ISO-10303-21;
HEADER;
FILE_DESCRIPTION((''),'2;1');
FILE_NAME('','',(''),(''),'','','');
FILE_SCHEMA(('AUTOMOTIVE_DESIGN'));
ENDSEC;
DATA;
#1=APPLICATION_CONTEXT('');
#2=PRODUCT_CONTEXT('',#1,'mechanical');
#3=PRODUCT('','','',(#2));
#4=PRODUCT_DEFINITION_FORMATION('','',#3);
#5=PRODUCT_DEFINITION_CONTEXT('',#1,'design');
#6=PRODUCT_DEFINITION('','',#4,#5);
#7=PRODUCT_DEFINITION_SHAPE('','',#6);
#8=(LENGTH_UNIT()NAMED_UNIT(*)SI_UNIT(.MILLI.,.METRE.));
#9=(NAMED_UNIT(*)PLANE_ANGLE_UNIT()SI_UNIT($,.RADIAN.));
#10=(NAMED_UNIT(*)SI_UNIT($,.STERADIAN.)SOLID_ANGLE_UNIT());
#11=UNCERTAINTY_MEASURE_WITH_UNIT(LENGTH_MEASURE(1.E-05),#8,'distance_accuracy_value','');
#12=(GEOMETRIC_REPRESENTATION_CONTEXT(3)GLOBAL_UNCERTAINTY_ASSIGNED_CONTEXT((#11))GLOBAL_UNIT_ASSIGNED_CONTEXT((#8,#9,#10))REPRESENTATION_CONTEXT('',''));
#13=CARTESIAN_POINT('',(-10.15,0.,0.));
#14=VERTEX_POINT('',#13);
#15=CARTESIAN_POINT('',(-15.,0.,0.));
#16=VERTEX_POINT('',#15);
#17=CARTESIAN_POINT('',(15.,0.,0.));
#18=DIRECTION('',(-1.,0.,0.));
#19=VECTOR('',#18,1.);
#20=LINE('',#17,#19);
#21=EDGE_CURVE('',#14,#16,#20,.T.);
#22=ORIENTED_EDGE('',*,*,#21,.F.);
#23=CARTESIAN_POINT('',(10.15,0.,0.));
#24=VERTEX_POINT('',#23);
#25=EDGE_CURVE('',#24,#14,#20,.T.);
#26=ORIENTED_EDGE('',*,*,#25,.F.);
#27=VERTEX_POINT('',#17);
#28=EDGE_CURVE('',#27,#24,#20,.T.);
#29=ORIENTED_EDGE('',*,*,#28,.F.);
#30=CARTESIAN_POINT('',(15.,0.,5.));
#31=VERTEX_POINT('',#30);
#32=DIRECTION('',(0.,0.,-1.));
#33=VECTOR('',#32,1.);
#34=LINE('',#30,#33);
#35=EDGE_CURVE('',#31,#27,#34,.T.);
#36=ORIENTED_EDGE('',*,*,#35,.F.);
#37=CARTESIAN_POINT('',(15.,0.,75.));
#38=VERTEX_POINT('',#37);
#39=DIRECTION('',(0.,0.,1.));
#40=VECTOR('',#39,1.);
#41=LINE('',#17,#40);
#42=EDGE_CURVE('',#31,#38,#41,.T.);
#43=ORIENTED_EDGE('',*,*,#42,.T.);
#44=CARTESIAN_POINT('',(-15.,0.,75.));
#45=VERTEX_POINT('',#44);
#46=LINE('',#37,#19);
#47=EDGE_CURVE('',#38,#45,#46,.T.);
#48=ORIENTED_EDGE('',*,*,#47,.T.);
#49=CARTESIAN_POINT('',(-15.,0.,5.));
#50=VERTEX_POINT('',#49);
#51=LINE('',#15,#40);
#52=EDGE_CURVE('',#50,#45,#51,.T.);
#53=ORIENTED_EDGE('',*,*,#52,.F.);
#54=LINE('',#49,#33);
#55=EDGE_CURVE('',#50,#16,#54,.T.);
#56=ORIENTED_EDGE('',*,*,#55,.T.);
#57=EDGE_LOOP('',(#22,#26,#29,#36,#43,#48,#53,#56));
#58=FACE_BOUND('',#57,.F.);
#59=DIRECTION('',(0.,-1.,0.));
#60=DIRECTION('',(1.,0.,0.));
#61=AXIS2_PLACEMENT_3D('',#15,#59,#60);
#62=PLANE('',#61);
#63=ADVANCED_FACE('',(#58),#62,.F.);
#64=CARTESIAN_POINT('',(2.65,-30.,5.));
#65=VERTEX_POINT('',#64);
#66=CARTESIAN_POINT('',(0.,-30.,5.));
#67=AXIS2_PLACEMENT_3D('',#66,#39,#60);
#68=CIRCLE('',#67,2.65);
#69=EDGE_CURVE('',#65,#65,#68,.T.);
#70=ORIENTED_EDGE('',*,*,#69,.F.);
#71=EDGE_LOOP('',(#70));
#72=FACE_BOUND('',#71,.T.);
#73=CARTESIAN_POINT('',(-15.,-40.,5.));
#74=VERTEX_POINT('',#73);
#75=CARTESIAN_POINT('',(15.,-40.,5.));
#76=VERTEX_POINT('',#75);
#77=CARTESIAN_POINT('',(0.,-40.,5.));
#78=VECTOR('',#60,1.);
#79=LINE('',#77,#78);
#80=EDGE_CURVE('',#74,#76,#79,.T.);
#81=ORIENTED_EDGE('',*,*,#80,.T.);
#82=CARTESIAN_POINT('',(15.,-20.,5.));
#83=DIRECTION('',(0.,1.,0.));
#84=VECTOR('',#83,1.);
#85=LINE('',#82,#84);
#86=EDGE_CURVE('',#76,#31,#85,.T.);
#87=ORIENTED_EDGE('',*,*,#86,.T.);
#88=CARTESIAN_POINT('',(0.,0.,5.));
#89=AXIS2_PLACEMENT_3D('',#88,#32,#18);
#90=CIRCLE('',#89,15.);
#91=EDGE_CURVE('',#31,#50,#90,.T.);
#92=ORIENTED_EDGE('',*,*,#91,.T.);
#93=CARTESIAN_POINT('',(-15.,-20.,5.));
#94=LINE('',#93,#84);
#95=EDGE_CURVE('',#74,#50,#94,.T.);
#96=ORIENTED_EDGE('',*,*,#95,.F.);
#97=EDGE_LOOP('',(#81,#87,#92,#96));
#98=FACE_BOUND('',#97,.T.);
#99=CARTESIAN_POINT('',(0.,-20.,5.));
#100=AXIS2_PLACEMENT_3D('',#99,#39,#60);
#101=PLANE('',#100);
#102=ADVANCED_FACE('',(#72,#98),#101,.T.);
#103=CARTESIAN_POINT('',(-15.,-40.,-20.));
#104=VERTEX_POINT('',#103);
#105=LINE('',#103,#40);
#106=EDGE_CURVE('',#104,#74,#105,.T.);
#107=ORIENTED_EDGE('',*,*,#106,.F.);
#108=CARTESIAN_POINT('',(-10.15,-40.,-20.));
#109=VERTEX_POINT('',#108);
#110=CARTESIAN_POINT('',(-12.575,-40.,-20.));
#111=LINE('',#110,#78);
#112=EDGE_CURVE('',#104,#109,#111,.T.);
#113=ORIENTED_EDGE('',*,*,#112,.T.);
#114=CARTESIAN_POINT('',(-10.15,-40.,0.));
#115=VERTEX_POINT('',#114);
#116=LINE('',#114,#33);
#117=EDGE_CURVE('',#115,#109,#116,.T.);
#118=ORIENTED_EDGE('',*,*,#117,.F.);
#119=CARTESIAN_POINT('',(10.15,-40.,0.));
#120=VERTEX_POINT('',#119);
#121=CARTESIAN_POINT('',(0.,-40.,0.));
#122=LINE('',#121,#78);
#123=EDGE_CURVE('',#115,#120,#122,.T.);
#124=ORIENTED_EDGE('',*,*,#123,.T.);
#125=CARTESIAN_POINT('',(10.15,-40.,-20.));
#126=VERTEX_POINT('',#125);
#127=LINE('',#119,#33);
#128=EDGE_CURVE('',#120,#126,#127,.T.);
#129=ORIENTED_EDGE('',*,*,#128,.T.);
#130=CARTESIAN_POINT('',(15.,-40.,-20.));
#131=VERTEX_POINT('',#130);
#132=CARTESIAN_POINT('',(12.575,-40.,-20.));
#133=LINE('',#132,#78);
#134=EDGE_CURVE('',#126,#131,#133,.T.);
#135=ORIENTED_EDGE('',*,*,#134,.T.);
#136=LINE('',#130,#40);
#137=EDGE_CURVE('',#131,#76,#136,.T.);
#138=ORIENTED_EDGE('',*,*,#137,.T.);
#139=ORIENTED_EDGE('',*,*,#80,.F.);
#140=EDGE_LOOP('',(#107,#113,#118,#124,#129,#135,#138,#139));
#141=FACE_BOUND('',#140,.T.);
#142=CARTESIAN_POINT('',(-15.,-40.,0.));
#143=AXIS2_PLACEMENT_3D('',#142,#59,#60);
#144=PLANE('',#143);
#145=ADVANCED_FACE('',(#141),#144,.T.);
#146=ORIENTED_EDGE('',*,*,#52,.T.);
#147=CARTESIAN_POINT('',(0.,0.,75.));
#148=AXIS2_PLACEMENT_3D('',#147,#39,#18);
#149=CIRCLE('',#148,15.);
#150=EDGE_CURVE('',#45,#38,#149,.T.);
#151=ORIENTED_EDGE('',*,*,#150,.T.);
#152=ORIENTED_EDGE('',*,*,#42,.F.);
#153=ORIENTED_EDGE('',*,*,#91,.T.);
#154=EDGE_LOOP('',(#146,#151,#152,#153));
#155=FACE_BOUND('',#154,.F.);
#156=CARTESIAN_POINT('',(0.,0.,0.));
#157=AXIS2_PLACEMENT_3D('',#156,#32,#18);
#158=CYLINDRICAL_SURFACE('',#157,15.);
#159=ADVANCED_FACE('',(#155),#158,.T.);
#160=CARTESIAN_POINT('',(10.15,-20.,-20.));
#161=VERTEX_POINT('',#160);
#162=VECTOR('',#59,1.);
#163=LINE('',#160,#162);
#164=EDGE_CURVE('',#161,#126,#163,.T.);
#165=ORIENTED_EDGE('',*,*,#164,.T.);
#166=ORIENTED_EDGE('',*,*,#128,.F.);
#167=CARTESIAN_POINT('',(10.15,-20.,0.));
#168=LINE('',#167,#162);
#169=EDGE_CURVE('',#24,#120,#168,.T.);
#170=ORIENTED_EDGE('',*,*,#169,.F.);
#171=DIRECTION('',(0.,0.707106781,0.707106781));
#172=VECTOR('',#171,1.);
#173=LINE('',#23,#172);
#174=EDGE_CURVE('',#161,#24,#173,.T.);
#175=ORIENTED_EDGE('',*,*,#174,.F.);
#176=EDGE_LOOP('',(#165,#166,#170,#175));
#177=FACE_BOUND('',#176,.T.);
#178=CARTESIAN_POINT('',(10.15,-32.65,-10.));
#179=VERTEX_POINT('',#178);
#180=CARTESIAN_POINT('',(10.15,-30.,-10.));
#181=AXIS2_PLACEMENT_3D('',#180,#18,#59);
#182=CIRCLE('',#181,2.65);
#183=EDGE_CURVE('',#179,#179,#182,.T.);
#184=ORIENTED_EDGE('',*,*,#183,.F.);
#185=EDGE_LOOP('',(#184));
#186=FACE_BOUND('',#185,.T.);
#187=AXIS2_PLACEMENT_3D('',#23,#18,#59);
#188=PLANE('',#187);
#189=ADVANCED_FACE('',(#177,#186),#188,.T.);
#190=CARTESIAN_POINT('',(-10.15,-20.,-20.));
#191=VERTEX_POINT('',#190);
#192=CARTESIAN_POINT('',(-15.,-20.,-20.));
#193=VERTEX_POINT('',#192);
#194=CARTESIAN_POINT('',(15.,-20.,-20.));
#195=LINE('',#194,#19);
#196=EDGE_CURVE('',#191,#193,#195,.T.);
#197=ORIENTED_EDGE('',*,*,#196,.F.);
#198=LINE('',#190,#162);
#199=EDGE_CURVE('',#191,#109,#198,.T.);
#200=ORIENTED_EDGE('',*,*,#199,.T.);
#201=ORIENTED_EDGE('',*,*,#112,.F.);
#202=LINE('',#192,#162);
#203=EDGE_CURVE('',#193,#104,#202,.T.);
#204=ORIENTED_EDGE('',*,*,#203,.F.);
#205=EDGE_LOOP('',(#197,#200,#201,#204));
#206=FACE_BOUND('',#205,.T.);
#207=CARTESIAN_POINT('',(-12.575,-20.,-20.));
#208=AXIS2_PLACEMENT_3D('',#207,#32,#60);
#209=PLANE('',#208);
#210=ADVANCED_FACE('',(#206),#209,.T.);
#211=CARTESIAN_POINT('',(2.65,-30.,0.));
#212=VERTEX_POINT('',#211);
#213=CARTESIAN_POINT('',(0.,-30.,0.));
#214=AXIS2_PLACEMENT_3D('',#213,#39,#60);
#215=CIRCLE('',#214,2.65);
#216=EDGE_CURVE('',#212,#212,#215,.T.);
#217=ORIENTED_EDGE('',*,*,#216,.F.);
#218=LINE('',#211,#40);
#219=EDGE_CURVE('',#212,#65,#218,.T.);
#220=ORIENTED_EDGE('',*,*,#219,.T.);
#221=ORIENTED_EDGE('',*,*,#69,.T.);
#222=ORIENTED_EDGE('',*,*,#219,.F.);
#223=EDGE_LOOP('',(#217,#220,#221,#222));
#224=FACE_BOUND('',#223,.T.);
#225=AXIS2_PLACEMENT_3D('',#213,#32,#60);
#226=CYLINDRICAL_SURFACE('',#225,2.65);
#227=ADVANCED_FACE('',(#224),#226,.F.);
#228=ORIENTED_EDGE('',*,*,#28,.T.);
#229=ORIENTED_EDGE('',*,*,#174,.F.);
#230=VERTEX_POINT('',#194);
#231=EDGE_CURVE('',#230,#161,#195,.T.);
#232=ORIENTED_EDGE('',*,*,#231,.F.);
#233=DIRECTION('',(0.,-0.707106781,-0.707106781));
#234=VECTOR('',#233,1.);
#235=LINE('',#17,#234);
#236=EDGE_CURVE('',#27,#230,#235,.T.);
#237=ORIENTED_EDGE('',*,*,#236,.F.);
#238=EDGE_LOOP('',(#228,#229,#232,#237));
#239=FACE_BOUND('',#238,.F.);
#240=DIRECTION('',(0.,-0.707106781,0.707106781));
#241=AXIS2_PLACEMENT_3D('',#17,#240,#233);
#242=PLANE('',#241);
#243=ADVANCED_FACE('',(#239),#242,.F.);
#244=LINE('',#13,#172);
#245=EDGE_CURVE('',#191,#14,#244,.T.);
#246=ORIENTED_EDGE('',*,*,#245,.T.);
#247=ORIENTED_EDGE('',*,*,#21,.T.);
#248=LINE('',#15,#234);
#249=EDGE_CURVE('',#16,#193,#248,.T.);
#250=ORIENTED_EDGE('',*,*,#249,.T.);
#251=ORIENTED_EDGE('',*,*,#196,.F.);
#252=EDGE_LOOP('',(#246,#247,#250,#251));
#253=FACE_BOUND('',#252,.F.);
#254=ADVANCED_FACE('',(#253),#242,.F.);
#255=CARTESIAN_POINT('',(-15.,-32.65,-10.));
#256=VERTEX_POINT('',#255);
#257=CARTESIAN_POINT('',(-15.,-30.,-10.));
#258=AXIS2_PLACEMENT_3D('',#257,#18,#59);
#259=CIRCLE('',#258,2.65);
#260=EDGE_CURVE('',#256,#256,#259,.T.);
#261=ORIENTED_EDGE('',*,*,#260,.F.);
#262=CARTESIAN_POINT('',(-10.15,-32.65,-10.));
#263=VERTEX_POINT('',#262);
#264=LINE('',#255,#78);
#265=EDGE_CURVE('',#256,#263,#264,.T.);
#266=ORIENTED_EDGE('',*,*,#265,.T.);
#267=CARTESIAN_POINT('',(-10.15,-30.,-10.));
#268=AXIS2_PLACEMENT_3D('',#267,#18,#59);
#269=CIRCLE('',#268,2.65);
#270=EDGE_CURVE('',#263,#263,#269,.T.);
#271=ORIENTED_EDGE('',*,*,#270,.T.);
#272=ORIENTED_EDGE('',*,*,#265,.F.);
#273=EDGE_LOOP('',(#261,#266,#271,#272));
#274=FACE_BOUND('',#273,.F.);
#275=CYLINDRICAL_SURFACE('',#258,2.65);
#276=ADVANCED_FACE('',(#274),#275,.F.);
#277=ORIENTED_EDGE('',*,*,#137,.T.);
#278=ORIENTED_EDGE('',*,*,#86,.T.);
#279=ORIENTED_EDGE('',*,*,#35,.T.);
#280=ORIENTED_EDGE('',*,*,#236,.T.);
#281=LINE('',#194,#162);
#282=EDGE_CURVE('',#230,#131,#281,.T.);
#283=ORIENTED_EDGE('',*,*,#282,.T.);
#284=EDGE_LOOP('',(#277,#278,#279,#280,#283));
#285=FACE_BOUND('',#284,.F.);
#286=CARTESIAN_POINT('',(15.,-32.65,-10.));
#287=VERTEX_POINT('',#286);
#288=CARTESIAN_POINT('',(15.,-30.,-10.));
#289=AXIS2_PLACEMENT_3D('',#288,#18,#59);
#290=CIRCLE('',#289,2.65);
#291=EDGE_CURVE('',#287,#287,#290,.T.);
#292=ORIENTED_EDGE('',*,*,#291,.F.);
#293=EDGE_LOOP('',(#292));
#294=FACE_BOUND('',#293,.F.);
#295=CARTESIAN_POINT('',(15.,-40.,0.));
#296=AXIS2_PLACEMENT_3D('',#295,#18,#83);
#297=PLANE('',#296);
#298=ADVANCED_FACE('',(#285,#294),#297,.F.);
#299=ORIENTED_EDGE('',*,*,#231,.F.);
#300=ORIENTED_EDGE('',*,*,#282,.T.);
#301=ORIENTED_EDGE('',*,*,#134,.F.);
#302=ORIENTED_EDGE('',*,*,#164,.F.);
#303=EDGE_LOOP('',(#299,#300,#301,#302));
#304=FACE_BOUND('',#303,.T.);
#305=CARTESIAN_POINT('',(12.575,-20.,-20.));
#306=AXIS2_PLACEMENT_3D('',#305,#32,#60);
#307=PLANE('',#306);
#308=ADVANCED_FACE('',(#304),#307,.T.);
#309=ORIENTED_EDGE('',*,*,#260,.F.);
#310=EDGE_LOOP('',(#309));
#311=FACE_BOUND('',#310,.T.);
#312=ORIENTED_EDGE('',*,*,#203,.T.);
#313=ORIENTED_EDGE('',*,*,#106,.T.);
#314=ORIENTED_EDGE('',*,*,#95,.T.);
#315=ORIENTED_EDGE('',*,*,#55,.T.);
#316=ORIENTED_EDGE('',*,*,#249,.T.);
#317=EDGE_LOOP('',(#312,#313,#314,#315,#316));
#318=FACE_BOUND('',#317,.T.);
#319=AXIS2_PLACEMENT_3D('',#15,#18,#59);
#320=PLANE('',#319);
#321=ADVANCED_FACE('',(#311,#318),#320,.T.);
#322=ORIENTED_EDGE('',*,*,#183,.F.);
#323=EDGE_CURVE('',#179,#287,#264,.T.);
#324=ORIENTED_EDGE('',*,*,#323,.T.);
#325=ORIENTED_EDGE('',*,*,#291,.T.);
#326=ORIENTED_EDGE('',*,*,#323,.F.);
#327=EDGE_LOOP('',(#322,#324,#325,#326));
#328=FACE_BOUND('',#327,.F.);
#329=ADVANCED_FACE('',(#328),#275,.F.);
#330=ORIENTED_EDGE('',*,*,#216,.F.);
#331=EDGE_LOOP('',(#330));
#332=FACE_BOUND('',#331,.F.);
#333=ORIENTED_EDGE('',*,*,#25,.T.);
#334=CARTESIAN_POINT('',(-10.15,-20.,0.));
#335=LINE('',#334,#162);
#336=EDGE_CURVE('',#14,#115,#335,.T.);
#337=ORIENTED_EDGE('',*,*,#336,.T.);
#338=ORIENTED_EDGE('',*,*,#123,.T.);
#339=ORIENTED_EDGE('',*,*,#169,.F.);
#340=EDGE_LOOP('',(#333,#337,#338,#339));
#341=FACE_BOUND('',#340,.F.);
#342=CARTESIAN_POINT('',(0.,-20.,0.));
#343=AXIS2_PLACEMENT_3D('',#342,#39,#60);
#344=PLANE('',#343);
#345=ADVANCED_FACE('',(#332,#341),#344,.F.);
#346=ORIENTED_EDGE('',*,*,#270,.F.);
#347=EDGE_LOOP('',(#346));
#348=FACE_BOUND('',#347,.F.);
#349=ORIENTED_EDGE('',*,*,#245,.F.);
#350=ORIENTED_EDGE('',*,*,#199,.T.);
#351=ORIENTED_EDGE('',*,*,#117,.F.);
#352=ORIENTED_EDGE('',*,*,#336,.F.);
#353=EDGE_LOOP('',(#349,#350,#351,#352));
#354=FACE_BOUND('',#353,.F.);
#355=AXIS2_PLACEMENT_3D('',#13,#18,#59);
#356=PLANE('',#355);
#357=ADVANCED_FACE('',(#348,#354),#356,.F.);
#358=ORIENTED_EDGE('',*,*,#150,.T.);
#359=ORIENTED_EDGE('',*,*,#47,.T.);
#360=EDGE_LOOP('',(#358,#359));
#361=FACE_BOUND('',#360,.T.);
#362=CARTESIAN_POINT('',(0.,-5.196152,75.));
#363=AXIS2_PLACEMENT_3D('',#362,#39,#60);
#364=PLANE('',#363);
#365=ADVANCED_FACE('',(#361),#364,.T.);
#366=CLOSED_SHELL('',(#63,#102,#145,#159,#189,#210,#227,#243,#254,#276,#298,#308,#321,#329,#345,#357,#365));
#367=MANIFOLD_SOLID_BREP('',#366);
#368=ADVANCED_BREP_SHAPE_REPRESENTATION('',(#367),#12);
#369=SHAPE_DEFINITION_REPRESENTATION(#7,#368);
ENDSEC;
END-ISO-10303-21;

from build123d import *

# Parameters (mm, degrees)
F1_DEPTH = 75
F2_W     = 30
F2_H     = 40
F2_R     = 2.65
F3_DEPTH = 5
F4_W     = 4.85
F4_H     = 40
F5_DEPTH = 20
F6_R     = 2.65
F7_DEPTH = 30
F9_DEPTH = 30


with BuildPart() as f1:
    # F0 (on Top) → F1 (new body)
    with BuildSketch(Plane.XY):
        with BuildLine():
            Line((15, 0), (-15, 0))
            ThreePointArc((-15, 0), (0, -15), (15, 0))
        make_face()
    extrude(amount=F1_DEPTH)

    # F2 (on Top) → F3 (join)
    with BuildSketch(Plane.XY):
        with Locations((0, -20)):
            Rectangle(F2_W, F2_H)
        with Locations((0, -30)):
            Circle(F2_R, mode=Mode.SUBTRACT)
    extrude(amount=F3_DEPTH)

    # F4 (on face) → F5 (join)
    with BuildSketch(Plane(origin=(0, 0, 0), x_dir=(1, 0, 0), z_dir=(0, 0, -1))):
        with Locations((-12.575, 20)):
            Rectangle(F4_W, F4_H)
        with Locations((12.575, 20)):
            Rectangle(F4_W, F4_H)
    extrude(amount=F5_DEPTH)

    # F6 (on face) → F7 (cut, through all)
    with BuildSketch(Plane(origin=(-15, 0, 0), x_dir=(0, -1, 0), z_dir=(-1, 0, 0))):
        with Locations((30, -10)):
            Circle(F6_R)
    extrude(amount=-F7_DEPTH, mode=Mode.SUBTRACT)

    # F8 (on face) → F9 (cut, through all)
    with BuildSketch(Plane.YZ.offset(15)):
        Polygon((0, 0), (-20, -20), (0, -20), align=None)
    extrude(amount=-F9_DEPTH, mode=Mode.SUBTRACT)


solid = f1.part
